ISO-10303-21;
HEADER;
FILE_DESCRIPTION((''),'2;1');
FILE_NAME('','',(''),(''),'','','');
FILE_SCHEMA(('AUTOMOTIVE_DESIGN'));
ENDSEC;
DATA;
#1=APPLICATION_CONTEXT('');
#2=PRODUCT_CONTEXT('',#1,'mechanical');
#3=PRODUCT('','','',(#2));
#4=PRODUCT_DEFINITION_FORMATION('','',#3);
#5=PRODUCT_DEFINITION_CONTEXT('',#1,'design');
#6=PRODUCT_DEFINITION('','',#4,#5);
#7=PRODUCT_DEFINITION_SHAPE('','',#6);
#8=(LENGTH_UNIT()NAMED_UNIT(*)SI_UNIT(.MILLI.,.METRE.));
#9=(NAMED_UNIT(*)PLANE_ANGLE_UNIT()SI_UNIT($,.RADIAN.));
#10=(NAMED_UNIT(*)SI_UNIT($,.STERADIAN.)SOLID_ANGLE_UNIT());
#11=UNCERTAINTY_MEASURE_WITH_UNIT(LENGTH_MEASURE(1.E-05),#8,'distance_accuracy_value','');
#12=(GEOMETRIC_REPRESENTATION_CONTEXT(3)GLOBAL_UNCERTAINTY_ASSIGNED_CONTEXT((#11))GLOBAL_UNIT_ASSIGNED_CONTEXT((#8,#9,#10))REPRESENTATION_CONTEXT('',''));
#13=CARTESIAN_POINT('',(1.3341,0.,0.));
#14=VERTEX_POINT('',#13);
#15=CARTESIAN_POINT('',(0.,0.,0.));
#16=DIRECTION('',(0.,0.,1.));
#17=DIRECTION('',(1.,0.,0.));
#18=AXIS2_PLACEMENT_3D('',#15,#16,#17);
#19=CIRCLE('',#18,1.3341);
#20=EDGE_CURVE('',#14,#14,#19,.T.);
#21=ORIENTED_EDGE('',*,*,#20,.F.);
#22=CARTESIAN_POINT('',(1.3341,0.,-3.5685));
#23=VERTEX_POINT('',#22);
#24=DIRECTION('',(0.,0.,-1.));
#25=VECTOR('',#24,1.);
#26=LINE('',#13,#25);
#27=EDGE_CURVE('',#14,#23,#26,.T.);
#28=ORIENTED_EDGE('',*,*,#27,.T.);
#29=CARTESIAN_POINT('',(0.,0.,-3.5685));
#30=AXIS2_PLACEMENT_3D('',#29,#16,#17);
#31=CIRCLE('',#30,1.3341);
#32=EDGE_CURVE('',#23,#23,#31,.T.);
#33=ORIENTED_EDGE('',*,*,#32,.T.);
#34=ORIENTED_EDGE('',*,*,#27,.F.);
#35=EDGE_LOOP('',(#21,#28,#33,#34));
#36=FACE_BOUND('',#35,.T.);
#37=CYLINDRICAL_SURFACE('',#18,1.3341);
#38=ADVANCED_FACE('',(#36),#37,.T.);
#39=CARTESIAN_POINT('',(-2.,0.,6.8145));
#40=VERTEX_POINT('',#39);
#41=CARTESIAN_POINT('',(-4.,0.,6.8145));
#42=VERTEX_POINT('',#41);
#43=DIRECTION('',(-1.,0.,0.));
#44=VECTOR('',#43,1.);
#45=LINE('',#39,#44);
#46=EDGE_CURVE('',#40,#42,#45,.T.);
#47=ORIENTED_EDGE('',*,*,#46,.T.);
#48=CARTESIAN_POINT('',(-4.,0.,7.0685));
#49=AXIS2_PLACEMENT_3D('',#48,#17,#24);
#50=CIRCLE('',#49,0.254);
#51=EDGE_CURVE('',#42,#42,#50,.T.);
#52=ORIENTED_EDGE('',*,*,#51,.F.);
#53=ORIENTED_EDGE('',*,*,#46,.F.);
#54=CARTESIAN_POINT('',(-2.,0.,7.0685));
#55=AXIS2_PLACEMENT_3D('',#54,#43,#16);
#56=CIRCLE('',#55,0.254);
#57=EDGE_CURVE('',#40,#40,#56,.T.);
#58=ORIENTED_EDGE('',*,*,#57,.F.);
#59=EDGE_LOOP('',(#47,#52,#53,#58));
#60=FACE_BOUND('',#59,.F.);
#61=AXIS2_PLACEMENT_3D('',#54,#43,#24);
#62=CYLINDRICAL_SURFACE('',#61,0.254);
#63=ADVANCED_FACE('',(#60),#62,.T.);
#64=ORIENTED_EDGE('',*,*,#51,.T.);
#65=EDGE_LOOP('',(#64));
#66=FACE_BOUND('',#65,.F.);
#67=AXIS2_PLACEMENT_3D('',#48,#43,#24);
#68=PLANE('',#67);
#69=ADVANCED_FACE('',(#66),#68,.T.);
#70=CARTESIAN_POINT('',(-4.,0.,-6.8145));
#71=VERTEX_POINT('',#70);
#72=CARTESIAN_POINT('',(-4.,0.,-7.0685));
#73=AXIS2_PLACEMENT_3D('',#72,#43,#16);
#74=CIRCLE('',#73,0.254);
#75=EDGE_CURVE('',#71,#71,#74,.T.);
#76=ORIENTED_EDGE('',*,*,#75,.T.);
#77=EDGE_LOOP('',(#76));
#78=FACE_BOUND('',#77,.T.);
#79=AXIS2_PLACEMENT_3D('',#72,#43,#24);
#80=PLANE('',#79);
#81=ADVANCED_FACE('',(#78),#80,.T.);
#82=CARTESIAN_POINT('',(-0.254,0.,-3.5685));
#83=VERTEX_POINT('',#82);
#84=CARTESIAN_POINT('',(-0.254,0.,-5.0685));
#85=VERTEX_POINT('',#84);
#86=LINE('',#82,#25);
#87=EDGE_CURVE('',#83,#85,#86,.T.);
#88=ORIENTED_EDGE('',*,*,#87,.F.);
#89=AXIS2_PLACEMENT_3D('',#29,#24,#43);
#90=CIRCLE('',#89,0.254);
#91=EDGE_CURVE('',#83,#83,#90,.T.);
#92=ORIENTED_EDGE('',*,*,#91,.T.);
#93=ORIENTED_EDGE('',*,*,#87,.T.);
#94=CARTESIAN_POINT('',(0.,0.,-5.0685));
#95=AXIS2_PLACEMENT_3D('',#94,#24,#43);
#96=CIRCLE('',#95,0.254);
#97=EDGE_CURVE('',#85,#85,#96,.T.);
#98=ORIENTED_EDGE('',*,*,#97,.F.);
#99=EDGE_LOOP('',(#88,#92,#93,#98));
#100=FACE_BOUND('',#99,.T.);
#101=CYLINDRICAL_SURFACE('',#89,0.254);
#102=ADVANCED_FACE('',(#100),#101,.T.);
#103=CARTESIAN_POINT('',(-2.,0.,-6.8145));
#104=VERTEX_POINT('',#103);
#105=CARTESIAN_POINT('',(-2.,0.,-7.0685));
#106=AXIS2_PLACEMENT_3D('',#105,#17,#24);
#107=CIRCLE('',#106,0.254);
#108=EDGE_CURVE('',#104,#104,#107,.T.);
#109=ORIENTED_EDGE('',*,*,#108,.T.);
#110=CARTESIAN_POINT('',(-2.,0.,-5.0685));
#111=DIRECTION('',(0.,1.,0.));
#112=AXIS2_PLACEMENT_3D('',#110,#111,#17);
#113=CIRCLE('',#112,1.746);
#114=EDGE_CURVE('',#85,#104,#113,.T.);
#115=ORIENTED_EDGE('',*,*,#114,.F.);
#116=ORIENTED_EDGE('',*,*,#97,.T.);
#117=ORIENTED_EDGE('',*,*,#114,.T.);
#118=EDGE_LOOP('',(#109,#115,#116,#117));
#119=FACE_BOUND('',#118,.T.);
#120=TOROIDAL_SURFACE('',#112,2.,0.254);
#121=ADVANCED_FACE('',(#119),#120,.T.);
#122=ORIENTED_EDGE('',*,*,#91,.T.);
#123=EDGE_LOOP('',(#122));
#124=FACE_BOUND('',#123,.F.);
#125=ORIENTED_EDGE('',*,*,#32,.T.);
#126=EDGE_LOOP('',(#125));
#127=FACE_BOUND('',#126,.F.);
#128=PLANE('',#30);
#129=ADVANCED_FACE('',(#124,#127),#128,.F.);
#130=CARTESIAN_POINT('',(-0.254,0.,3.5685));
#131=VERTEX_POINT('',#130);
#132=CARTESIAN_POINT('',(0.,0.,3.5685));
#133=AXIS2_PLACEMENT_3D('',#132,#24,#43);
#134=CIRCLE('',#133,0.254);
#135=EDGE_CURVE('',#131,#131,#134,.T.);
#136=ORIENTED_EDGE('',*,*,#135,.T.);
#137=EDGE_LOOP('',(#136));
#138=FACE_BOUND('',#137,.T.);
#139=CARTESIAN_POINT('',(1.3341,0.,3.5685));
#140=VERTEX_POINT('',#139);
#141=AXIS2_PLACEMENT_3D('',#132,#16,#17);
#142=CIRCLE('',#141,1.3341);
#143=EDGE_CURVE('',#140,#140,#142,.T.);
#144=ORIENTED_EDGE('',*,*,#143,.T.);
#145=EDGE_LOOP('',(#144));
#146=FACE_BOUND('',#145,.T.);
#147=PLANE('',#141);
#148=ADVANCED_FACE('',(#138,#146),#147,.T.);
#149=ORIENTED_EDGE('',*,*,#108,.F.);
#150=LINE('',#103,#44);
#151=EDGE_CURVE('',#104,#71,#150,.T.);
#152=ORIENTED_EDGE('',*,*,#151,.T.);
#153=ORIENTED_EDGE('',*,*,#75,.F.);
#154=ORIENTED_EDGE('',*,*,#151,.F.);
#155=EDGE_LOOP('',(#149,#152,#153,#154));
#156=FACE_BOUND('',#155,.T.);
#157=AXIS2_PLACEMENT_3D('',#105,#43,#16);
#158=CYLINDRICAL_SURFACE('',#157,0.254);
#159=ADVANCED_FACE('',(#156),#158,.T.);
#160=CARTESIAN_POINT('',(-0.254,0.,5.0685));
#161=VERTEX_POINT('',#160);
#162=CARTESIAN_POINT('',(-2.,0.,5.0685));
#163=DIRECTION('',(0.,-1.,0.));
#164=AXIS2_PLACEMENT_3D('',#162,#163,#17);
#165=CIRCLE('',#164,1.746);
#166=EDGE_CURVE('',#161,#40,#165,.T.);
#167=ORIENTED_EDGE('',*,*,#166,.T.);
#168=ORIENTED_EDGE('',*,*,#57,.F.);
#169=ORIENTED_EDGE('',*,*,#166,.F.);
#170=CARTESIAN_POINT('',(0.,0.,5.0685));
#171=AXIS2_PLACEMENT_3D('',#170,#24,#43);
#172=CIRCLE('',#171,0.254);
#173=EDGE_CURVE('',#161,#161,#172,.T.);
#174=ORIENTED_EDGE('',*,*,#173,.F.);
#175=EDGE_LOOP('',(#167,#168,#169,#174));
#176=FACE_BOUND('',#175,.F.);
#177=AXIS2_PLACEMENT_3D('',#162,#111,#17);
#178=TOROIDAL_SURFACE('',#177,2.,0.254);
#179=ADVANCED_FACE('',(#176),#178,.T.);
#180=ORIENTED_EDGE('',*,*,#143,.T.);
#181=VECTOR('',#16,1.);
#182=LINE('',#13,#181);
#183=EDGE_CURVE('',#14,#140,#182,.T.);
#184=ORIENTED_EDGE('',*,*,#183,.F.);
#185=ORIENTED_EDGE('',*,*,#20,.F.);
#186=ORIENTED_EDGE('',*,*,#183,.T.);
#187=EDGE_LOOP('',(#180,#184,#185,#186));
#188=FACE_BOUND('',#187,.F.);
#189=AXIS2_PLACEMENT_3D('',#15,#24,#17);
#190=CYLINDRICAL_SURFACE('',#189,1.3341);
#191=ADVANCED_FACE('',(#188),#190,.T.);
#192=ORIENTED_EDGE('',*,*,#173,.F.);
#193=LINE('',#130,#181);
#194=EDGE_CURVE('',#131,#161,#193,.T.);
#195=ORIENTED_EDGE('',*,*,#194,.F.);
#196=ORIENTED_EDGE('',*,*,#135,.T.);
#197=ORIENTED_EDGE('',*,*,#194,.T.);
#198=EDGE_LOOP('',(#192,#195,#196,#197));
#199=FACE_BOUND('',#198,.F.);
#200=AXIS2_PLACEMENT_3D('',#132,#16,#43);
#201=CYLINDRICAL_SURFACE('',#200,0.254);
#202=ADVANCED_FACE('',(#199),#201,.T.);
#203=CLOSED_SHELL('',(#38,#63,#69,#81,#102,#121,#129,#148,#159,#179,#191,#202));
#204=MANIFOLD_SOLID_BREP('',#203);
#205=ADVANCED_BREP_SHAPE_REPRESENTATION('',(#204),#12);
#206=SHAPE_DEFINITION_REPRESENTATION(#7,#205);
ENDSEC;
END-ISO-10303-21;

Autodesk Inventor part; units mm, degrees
ref_plane "YZ Plane" through (0, 0, 0) normal (1, 0, 0) x (0, 1, 0)
ref_plane "XZ Plane" through (0, 0, 0) normal (0, 1, 0) x (-1, 0, 0)
ref_plane "XY Plane" through (0, 0, 0) normal (0, 0, 1) x (1, 0, 0)
sketch "Sketch1" plane through (0, 0, 0) normal (0, 0, 1) x (1, 0, 0)
  circle A0 centre (0, 0) radius 1.3341
  dimension "d0" = 2.6682
extrude "Extrusion1" add sketch "Sketch1" along normal mid plane 7.137
sketch "Sketch2" plane through (0, 0, 3.5685) normal (0, 0, 1) x (1, 0, 0)
  circle A0 centre (0, 0) radius 0.25
  dimension "d7" = 0.5
sketch3d "3D Sketch2"
sweep "Sweep1" [suppressed]
sketch "Sketch3" plane through (0, 0, -3.5685) normal (0, 0, -1) x (-1, 0, 0)
  circle A0 centre (0, 0) radius 0.25
  dimension "d18" = 0.5
sketch3d "3D Sketch3"
sweep "Sweep2" [suppressed]
sketch "Sketch4" plane through (0, 0, 3.5685) normal (0, 0, 1) x (1, 0, 0)
  circle A0 centre (0, 0) radius 0.25
  dimension "d25" = 0.5
sketch3d "3D Sketch4"
sweep "Sweep3" [suppressed]
sketch "Sketch5" plane through (0, 0, -3.5685) normal (0, 0, -1) x (-1, 0, 0)
  circle A0 centre (0, 0) radius 0.254
  dimension "d34" = 0.508
sketch3d "3D Sketch5"
  line L0 (0, 0, -3.5685) -> (0, 0, -5.0685)
  arc A0 (0, 0, -5.0685) -> (-2, 0, -7.0685) centre (-2, 0, -5.0685) ccw
  line L1 (-2, 0, -7.0685) -> (-4, 0, -7.0685)
  dimension "d52" = 3.5
  dimension "d53" = 4
  dimension "d36" = 2
sweep "Sweep4" add profiles "Sketch5" path "3D Sketch5"
sketch "Sketch7" plane through (0, 0, 3.5685) normal (0, 0, 1) x (1, 0, 0)
  circle A0 centre (0, 0) radius 1.3341 projected
  circle A1 centre (0, 0) radius 0.254
  dimension "d45" = 0.508
sketch3d "3D Sketch7"
sweep "Sweep6" [suppressed]
mirror "Mirror2" about plane through (0, 0, 0) normal (0, 0, 1) of "Sweep4"
properties part number "VISHAY-DALE RWR81S6R98FRB12" material "SMT (95% LCP, 5% PhosBr)"
